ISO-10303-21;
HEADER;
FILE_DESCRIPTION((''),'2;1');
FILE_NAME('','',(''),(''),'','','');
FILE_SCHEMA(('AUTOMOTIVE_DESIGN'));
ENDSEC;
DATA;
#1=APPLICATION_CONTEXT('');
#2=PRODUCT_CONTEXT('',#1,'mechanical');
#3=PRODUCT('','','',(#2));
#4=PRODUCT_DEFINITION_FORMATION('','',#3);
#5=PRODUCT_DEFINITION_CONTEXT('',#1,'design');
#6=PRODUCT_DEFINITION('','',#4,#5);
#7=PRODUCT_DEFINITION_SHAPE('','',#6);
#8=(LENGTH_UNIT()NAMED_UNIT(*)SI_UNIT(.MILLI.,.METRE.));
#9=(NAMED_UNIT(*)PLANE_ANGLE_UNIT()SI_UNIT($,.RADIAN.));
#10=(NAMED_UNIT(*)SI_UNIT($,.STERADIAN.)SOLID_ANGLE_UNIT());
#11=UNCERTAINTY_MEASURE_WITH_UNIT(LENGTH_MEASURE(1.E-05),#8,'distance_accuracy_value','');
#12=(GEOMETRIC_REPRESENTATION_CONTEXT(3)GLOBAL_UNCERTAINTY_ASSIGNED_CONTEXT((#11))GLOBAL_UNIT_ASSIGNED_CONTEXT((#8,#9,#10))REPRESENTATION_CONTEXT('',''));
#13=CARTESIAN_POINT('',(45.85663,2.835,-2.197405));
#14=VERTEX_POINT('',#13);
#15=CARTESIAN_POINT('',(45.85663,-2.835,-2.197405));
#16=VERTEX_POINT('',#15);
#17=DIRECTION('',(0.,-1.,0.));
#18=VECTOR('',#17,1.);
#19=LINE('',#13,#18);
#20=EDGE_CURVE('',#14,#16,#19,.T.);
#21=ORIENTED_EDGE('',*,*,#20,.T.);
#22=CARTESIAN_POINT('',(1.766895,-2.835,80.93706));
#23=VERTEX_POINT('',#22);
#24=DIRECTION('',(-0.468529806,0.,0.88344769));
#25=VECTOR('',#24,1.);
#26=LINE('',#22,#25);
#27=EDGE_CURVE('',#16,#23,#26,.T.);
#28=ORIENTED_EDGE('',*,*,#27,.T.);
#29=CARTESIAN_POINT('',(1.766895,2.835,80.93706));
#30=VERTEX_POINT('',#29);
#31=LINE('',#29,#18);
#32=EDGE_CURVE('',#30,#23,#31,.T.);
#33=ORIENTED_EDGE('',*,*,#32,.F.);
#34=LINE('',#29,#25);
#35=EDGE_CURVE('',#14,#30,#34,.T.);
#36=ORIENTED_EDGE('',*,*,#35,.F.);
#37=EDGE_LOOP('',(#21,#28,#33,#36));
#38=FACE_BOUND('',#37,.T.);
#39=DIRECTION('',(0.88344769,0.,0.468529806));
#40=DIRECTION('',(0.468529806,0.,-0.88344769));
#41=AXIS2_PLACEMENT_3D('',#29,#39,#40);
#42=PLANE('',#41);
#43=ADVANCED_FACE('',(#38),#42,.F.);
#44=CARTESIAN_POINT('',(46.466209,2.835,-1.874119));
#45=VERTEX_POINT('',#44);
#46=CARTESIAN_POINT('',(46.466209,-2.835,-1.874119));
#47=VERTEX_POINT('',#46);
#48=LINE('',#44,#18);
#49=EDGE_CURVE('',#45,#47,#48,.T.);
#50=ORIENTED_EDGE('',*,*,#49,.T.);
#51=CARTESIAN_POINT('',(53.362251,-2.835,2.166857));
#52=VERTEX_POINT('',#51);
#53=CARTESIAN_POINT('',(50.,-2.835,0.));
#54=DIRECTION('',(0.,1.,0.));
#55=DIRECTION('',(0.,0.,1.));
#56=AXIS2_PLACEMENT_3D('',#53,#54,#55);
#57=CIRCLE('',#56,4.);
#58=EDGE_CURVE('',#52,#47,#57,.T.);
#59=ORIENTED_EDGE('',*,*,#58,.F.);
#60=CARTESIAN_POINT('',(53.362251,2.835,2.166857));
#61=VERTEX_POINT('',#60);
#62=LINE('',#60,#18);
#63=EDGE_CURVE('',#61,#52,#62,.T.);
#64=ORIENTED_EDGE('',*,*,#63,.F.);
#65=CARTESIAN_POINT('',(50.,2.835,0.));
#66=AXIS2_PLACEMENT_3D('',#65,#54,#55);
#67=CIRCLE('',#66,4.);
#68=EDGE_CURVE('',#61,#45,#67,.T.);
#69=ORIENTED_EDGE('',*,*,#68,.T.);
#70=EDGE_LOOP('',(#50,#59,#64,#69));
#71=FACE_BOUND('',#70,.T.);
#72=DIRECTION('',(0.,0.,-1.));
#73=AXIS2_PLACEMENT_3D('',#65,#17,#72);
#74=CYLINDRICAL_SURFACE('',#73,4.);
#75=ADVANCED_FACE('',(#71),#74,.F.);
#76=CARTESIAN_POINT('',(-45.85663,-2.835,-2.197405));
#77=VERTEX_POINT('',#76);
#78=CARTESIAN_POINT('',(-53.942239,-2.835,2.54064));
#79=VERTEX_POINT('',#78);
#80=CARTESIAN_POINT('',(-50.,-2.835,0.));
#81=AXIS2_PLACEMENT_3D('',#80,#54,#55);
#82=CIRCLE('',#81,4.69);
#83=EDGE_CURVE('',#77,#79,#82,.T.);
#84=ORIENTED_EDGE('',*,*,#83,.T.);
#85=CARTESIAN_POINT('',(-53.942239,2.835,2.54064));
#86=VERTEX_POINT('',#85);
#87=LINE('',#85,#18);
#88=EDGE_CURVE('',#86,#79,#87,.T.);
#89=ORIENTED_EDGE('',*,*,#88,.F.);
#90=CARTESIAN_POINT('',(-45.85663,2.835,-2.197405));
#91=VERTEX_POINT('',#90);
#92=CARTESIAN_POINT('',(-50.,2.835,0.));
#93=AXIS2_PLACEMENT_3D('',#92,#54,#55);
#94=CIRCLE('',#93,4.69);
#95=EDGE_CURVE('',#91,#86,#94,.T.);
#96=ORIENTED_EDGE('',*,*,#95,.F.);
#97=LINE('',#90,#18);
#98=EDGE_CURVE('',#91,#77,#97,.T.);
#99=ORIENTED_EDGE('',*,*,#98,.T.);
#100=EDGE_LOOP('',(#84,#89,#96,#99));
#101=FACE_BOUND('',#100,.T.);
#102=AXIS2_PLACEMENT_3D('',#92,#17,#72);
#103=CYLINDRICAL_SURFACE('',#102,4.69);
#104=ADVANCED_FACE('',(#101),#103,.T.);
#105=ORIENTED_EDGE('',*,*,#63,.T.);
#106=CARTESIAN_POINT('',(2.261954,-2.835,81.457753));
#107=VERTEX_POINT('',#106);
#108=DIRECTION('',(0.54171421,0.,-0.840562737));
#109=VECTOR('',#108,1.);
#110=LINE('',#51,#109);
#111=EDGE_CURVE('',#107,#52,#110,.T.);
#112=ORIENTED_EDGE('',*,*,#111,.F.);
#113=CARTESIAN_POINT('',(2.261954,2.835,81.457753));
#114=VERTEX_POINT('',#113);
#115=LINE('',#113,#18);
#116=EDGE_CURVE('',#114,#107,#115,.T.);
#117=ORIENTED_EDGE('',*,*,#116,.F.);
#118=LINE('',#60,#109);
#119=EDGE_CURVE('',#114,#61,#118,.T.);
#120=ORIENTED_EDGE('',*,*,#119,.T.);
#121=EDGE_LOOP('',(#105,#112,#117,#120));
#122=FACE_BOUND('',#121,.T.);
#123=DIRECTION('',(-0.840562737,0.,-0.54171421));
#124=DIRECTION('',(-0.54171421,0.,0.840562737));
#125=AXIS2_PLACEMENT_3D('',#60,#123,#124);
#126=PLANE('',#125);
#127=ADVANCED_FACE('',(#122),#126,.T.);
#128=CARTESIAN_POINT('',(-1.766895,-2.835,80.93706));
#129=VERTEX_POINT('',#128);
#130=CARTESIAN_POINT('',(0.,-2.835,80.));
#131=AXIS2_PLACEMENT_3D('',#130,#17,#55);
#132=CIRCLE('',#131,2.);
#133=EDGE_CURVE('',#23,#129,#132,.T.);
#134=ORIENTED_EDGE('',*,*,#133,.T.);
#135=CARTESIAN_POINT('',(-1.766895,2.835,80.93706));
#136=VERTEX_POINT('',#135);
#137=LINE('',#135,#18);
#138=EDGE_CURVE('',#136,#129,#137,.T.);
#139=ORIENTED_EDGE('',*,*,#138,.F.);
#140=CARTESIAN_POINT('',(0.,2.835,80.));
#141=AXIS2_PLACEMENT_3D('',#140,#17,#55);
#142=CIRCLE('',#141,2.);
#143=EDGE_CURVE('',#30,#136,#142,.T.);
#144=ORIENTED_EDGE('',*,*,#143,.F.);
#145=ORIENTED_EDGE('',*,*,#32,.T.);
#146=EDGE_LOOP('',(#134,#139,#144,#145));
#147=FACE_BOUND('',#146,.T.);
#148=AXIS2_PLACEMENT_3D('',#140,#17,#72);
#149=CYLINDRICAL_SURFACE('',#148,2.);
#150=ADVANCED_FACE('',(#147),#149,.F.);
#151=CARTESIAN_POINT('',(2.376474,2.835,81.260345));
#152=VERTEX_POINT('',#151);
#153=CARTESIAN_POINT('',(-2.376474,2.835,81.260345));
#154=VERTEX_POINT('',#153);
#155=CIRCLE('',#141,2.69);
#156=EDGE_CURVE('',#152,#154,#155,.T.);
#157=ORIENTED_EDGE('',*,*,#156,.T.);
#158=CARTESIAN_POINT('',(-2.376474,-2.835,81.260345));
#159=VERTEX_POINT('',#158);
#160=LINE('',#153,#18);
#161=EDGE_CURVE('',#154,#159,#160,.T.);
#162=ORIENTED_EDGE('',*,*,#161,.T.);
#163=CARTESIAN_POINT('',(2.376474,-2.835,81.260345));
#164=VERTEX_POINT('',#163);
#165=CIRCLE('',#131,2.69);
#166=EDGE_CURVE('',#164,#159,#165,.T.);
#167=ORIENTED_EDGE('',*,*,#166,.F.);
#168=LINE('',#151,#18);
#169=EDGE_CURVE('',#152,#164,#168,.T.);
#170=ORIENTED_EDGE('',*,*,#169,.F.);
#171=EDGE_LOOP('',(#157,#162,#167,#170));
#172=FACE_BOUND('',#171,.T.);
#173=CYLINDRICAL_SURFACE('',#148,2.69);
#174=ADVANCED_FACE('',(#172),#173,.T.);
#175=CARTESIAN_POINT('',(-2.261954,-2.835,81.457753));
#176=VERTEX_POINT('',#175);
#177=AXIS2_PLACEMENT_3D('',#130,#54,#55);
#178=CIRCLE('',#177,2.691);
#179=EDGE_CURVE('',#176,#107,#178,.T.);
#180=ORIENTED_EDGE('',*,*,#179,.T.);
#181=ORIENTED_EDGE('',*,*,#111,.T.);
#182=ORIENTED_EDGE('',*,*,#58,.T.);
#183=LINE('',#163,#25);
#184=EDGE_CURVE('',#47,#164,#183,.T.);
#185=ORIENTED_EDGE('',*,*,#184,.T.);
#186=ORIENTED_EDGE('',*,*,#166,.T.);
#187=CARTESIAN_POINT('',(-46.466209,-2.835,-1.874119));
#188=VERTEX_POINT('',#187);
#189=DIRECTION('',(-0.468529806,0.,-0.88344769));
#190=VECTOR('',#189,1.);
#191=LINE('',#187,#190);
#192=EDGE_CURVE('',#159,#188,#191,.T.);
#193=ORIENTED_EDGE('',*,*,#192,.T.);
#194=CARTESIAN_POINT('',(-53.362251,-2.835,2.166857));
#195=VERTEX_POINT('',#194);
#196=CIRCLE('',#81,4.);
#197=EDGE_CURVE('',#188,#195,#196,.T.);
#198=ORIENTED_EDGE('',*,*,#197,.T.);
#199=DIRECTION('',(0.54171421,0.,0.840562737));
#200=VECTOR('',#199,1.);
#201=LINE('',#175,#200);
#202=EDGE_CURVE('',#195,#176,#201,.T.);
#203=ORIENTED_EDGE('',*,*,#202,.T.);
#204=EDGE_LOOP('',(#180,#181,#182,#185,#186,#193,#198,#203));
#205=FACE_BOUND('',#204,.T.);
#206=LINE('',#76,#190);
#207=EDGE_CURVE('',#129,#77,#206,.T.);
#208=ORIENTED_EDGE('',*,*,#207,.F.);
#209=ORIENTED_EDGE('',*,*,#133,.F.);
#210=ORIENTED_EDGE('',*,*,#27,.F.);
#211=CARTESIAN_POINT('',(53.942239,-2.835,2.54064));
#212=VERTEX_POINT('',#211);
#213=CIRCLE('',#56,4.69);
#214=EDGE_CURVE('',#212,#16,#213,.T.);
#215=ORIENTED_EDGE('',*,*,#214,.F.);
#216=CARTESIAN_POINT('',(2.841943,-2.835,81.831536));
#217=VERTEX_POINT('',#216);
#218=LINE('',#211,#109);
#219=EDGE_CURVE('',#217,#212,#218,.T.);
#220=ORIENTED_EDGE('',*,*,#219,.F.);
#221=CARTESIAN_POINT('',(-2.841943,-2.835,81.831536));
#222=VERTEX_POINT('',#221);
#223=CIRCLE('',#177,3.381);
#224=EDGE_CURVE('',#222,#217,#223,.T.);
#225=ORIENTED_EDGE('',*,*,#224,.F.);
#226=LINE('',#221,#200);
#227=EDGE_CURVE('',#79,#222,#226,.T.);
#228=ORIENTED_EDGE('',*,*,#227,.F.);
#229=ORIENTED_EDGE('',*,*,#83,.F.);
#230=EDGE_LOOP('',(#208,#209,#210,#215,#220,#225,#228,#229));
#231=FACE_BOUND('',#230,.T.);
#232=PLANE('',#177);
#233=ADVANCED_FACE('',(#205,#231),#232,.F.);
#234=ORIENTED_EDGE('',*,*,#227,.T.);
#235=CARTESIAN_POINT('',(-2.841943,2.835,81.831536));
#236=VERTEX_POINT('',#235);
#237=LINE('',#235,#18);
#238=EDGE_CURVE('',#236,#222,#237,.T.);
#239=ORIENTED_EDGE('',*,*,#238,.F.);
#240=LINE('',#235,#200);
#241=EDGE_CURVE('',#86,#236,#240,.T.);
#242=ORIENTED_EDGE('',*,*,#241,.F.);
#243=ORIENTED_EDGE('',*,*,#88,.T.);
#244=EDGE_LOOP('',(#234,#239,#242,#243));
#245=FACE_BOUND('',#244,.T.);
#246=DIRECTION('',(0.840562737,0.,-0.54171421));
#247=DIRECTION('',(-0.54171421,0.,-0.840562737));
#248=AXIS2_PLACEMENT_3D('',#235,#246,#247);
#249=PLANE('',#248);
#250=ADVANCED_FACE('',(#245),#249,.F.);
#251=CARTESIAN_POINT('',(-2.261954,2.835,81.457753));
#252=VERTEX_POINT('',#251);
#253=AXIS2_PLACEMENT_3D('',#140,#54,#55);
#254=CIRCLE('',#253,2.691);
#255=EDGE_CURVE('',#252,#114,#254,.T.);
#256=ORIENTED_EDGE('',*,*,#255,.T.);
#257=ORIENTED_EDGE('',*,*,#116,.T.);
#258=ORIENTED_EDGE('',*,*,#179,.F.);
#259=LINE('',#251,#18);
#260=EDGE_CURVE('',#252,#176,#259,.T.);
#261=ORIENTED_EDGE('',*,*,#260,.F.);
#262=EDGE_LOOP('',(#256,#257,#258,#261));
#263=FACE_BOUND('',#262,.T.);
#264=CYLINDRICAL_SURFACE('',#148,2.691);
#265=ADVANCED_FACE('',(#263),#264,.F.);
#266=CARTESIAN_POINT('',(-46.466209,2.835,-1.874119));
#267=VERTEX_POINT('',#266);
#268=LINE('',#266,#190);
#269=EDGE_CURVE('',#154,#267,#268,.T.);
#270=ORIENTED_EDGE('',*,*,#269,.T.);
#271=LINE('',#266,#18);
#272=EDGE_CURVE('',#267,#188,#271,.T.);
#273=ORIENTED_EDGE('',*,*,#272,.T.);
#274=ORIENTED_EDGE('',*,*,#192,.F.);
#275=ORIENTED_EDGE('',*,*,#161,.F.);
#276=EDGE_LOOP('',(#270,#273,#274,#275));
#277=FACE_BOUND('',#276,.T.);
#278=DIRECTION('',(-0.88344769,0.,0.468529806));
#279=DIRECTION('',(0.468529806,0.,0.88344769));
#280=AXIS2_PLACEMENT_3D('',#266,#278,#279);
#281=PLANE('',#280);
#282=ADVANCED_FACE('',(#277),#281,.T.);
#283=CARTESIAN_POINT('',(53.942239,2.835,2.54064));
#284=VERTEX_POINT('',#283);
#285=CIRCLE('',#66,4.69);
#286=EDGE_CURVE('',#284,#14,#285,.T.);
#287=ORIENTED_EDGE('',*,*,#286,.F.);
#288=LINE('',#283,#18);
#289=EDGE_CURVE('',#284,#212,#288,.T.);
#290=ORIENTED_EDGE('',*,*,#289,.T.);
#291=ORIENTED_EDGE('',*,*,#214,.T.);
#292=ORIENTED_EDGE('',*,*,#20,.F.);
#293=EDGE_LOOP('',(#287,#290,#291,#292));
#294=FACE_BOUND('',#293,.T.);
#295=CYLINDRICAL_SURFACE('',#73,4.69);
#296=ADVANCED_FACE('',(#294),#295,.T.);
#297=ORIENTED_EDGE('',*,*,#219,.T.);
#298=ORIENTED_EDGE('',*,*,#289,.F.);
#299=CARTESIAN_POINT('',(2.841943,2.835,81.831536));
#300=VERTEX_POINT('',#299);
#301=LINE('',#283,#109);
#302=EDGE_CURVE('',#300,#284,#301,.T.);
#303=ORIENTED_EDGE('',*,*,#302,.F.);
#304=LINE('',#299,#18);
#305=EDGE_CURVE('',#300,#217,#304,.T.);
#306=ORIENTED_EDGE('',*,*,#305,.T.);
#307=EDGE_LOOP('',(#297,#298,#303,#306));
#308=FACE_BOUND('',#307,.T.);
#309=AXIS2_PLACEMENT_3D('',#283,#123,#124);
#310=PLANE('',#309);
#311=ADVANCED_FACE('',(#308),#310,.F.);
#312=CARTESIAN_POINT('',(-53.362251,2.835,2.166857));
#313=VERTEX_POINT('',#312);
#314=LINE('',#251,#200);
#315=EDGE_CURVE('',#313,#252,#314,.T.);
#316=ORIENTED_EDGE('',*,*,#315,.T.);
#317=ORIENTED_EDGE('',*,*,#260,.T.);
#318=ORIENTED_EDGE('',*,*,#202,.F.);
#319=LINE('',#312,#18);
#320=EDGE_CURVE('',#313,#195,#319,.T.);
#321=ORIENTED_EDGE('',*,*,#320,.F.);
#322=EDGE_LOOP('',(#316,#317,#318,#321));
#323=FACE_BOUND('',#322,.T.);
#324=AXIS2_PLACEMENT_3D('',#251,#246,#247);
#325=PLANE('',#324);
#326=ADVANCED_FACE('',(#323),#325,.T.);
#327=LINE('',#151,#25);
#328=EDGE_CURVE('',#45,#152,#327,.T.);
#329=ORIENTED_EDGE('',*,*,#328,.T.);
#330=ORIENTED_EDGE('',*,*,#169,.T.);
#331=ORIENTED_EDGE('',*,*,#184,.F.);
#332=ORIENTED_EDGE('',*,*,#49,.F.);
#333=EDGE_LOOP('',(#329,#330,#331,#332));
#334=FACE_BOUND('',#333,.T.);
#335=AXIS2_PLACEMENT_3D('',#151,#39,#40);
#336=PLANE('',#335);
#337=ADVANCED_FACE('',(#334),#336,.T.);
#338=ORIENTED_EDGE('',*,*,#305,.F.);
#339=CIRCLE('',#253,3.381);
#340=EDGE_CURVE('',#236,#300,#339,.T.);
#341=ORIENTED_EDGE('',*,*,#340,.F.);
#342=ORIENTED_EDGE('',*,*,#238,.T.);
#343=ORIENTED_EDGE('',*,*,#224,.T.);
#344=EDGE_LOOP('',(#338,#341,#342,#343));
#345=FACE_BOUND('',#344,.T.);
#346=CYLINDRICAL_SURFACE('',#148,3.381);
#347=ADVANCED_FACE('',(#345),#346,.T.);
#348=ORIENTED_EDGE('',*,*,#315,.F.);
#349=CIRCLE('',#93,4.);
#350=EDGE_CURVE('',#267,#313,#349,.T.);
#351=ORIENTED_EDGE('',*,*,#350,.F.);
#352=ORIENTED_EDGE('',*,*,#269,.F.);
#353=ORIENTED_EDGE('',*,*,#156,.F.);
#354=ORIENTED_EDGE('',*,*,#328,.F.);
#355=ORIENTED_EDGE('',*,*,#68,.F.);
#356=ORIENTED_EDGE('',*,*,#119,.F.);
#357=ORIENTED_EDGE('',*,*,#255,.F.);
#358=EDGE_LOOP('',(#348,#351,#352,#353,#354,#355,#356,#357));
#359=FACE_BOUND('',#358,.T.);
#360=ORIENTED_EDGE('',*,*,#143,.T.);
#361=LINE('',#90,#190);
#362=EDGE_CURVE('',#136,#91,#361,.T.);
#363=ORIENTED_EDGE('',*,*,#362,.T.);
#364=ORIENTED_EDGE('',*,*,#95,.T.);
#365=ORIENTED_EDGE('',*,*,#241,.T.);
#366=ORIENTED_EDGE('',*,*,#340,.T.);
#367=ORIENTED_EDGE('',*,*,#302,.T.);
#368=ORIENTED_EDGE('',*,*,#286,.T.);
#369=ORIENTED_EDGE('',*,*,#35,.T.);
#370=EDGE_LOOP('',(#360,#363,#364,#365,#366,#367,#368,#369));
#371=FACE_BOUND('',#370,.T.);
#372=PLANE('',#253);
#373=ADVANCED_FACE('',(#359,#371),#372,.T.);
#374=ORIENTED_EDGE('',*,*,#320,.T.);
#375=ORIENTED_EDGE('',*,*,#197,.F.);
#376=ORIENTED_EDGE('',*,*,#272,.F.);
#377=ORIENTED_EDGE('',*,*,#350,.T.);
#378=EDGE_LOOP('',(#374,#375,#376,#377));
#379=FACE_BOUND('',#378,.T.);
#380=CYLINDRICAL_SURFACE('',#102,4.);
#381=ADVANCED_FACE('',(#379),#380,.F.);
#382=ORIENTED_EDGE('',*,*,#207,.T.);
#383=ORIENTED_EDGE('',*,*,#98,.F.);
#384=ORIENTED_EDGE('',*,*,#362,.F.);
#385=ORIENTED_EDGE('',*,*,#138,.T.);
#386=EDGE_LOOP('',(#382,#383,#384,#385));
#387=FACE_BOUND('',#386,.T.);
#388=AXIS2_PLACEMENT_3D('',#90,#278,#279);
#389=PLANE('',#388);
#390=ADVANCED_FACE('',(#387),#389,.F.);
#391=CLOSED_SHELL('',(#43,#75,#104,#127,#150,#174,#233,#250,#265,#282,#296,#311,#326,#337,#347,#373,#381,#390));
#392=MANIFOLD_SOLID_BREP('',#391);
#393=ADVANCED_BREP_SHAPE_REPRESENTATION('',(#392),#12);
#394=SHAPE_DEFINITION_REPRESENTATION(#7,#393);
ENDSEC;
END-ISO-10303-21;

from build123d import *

# Parameters (mm, degrees)
BOSS_EXTRUDE1_DEPTH = 2.835


with BuildPart() as part:
    # Sketch1 → Boss-Extrude1 (new, symmetric)
    with BuildSketch(Plane(origin=(0, 0, 0), x_dir=(1, 0, 0), z_dir=(0, 1, 0))):
        with BuildLine():
            Line((-2.841942613, -81.831535745), (-53.942239235, -2.540639647))
            ThreePointArc((-53.942239235, -2.540639647), (-52.37115576, 4.046445399), (-45.856630335, 2.197404791))
            Line((-45.856630335, 2.197404791), (-1.76689538, -80.937059612))
            ThreePointArc((-1.76689538, -80.937059612), (0, -82), (1.76689538, -80.937059612))
            Line((1.76689538, -80.937059612), (45.856630335, 2.197404791))
            ThreePointArc((45.856630335, 2.197404791), (52.37115576, 4.046445399), (53.942239235, -2.540639647))
            Line((53.942239235, -2.540639647), (2.841942613, -81.831535745))
            ThreePointArc((2.841942613, -81.831535745), (0, -83.381), (-2.841942613, -81.831535745))
        make_face()
        with BuildLine():
            Line((-2.261954324, -81.45775294), (-53.362250947, -2.166856842))
            ThreePointArc((-53.362250947, -2.166856842), (-52.022307684, 3.45112614), (-46.466209241, 1.874119225))
            Line((-46.466209241, 1.874119225), (-2.376474286, -81.260345179))
            ThreePointArc((-2.376474286, -81.260345179), (0, -82.69), (2.376474286, -81.260345179))
            Line((2.376474286, -81.260345179), (46.466209241, 1.874119225))
            ThreePointArc((46.466209241, 1.874119225), (52.022307684, 3.45112614), (53.362250947, -2.166856842))
            Line((53.362250947, -2.166856842), (2.261954324, -81.45775294))
            ThreePointArc((2.261954324, -81.45775294), (0, -82.691), (-2.261954324, -81.45775294))
        make_face(mode=Mode.SUBTRACT)
    extrude(amount=BOSS_EXTRUDE1_DEPTH, both=True)


solid = part.part
